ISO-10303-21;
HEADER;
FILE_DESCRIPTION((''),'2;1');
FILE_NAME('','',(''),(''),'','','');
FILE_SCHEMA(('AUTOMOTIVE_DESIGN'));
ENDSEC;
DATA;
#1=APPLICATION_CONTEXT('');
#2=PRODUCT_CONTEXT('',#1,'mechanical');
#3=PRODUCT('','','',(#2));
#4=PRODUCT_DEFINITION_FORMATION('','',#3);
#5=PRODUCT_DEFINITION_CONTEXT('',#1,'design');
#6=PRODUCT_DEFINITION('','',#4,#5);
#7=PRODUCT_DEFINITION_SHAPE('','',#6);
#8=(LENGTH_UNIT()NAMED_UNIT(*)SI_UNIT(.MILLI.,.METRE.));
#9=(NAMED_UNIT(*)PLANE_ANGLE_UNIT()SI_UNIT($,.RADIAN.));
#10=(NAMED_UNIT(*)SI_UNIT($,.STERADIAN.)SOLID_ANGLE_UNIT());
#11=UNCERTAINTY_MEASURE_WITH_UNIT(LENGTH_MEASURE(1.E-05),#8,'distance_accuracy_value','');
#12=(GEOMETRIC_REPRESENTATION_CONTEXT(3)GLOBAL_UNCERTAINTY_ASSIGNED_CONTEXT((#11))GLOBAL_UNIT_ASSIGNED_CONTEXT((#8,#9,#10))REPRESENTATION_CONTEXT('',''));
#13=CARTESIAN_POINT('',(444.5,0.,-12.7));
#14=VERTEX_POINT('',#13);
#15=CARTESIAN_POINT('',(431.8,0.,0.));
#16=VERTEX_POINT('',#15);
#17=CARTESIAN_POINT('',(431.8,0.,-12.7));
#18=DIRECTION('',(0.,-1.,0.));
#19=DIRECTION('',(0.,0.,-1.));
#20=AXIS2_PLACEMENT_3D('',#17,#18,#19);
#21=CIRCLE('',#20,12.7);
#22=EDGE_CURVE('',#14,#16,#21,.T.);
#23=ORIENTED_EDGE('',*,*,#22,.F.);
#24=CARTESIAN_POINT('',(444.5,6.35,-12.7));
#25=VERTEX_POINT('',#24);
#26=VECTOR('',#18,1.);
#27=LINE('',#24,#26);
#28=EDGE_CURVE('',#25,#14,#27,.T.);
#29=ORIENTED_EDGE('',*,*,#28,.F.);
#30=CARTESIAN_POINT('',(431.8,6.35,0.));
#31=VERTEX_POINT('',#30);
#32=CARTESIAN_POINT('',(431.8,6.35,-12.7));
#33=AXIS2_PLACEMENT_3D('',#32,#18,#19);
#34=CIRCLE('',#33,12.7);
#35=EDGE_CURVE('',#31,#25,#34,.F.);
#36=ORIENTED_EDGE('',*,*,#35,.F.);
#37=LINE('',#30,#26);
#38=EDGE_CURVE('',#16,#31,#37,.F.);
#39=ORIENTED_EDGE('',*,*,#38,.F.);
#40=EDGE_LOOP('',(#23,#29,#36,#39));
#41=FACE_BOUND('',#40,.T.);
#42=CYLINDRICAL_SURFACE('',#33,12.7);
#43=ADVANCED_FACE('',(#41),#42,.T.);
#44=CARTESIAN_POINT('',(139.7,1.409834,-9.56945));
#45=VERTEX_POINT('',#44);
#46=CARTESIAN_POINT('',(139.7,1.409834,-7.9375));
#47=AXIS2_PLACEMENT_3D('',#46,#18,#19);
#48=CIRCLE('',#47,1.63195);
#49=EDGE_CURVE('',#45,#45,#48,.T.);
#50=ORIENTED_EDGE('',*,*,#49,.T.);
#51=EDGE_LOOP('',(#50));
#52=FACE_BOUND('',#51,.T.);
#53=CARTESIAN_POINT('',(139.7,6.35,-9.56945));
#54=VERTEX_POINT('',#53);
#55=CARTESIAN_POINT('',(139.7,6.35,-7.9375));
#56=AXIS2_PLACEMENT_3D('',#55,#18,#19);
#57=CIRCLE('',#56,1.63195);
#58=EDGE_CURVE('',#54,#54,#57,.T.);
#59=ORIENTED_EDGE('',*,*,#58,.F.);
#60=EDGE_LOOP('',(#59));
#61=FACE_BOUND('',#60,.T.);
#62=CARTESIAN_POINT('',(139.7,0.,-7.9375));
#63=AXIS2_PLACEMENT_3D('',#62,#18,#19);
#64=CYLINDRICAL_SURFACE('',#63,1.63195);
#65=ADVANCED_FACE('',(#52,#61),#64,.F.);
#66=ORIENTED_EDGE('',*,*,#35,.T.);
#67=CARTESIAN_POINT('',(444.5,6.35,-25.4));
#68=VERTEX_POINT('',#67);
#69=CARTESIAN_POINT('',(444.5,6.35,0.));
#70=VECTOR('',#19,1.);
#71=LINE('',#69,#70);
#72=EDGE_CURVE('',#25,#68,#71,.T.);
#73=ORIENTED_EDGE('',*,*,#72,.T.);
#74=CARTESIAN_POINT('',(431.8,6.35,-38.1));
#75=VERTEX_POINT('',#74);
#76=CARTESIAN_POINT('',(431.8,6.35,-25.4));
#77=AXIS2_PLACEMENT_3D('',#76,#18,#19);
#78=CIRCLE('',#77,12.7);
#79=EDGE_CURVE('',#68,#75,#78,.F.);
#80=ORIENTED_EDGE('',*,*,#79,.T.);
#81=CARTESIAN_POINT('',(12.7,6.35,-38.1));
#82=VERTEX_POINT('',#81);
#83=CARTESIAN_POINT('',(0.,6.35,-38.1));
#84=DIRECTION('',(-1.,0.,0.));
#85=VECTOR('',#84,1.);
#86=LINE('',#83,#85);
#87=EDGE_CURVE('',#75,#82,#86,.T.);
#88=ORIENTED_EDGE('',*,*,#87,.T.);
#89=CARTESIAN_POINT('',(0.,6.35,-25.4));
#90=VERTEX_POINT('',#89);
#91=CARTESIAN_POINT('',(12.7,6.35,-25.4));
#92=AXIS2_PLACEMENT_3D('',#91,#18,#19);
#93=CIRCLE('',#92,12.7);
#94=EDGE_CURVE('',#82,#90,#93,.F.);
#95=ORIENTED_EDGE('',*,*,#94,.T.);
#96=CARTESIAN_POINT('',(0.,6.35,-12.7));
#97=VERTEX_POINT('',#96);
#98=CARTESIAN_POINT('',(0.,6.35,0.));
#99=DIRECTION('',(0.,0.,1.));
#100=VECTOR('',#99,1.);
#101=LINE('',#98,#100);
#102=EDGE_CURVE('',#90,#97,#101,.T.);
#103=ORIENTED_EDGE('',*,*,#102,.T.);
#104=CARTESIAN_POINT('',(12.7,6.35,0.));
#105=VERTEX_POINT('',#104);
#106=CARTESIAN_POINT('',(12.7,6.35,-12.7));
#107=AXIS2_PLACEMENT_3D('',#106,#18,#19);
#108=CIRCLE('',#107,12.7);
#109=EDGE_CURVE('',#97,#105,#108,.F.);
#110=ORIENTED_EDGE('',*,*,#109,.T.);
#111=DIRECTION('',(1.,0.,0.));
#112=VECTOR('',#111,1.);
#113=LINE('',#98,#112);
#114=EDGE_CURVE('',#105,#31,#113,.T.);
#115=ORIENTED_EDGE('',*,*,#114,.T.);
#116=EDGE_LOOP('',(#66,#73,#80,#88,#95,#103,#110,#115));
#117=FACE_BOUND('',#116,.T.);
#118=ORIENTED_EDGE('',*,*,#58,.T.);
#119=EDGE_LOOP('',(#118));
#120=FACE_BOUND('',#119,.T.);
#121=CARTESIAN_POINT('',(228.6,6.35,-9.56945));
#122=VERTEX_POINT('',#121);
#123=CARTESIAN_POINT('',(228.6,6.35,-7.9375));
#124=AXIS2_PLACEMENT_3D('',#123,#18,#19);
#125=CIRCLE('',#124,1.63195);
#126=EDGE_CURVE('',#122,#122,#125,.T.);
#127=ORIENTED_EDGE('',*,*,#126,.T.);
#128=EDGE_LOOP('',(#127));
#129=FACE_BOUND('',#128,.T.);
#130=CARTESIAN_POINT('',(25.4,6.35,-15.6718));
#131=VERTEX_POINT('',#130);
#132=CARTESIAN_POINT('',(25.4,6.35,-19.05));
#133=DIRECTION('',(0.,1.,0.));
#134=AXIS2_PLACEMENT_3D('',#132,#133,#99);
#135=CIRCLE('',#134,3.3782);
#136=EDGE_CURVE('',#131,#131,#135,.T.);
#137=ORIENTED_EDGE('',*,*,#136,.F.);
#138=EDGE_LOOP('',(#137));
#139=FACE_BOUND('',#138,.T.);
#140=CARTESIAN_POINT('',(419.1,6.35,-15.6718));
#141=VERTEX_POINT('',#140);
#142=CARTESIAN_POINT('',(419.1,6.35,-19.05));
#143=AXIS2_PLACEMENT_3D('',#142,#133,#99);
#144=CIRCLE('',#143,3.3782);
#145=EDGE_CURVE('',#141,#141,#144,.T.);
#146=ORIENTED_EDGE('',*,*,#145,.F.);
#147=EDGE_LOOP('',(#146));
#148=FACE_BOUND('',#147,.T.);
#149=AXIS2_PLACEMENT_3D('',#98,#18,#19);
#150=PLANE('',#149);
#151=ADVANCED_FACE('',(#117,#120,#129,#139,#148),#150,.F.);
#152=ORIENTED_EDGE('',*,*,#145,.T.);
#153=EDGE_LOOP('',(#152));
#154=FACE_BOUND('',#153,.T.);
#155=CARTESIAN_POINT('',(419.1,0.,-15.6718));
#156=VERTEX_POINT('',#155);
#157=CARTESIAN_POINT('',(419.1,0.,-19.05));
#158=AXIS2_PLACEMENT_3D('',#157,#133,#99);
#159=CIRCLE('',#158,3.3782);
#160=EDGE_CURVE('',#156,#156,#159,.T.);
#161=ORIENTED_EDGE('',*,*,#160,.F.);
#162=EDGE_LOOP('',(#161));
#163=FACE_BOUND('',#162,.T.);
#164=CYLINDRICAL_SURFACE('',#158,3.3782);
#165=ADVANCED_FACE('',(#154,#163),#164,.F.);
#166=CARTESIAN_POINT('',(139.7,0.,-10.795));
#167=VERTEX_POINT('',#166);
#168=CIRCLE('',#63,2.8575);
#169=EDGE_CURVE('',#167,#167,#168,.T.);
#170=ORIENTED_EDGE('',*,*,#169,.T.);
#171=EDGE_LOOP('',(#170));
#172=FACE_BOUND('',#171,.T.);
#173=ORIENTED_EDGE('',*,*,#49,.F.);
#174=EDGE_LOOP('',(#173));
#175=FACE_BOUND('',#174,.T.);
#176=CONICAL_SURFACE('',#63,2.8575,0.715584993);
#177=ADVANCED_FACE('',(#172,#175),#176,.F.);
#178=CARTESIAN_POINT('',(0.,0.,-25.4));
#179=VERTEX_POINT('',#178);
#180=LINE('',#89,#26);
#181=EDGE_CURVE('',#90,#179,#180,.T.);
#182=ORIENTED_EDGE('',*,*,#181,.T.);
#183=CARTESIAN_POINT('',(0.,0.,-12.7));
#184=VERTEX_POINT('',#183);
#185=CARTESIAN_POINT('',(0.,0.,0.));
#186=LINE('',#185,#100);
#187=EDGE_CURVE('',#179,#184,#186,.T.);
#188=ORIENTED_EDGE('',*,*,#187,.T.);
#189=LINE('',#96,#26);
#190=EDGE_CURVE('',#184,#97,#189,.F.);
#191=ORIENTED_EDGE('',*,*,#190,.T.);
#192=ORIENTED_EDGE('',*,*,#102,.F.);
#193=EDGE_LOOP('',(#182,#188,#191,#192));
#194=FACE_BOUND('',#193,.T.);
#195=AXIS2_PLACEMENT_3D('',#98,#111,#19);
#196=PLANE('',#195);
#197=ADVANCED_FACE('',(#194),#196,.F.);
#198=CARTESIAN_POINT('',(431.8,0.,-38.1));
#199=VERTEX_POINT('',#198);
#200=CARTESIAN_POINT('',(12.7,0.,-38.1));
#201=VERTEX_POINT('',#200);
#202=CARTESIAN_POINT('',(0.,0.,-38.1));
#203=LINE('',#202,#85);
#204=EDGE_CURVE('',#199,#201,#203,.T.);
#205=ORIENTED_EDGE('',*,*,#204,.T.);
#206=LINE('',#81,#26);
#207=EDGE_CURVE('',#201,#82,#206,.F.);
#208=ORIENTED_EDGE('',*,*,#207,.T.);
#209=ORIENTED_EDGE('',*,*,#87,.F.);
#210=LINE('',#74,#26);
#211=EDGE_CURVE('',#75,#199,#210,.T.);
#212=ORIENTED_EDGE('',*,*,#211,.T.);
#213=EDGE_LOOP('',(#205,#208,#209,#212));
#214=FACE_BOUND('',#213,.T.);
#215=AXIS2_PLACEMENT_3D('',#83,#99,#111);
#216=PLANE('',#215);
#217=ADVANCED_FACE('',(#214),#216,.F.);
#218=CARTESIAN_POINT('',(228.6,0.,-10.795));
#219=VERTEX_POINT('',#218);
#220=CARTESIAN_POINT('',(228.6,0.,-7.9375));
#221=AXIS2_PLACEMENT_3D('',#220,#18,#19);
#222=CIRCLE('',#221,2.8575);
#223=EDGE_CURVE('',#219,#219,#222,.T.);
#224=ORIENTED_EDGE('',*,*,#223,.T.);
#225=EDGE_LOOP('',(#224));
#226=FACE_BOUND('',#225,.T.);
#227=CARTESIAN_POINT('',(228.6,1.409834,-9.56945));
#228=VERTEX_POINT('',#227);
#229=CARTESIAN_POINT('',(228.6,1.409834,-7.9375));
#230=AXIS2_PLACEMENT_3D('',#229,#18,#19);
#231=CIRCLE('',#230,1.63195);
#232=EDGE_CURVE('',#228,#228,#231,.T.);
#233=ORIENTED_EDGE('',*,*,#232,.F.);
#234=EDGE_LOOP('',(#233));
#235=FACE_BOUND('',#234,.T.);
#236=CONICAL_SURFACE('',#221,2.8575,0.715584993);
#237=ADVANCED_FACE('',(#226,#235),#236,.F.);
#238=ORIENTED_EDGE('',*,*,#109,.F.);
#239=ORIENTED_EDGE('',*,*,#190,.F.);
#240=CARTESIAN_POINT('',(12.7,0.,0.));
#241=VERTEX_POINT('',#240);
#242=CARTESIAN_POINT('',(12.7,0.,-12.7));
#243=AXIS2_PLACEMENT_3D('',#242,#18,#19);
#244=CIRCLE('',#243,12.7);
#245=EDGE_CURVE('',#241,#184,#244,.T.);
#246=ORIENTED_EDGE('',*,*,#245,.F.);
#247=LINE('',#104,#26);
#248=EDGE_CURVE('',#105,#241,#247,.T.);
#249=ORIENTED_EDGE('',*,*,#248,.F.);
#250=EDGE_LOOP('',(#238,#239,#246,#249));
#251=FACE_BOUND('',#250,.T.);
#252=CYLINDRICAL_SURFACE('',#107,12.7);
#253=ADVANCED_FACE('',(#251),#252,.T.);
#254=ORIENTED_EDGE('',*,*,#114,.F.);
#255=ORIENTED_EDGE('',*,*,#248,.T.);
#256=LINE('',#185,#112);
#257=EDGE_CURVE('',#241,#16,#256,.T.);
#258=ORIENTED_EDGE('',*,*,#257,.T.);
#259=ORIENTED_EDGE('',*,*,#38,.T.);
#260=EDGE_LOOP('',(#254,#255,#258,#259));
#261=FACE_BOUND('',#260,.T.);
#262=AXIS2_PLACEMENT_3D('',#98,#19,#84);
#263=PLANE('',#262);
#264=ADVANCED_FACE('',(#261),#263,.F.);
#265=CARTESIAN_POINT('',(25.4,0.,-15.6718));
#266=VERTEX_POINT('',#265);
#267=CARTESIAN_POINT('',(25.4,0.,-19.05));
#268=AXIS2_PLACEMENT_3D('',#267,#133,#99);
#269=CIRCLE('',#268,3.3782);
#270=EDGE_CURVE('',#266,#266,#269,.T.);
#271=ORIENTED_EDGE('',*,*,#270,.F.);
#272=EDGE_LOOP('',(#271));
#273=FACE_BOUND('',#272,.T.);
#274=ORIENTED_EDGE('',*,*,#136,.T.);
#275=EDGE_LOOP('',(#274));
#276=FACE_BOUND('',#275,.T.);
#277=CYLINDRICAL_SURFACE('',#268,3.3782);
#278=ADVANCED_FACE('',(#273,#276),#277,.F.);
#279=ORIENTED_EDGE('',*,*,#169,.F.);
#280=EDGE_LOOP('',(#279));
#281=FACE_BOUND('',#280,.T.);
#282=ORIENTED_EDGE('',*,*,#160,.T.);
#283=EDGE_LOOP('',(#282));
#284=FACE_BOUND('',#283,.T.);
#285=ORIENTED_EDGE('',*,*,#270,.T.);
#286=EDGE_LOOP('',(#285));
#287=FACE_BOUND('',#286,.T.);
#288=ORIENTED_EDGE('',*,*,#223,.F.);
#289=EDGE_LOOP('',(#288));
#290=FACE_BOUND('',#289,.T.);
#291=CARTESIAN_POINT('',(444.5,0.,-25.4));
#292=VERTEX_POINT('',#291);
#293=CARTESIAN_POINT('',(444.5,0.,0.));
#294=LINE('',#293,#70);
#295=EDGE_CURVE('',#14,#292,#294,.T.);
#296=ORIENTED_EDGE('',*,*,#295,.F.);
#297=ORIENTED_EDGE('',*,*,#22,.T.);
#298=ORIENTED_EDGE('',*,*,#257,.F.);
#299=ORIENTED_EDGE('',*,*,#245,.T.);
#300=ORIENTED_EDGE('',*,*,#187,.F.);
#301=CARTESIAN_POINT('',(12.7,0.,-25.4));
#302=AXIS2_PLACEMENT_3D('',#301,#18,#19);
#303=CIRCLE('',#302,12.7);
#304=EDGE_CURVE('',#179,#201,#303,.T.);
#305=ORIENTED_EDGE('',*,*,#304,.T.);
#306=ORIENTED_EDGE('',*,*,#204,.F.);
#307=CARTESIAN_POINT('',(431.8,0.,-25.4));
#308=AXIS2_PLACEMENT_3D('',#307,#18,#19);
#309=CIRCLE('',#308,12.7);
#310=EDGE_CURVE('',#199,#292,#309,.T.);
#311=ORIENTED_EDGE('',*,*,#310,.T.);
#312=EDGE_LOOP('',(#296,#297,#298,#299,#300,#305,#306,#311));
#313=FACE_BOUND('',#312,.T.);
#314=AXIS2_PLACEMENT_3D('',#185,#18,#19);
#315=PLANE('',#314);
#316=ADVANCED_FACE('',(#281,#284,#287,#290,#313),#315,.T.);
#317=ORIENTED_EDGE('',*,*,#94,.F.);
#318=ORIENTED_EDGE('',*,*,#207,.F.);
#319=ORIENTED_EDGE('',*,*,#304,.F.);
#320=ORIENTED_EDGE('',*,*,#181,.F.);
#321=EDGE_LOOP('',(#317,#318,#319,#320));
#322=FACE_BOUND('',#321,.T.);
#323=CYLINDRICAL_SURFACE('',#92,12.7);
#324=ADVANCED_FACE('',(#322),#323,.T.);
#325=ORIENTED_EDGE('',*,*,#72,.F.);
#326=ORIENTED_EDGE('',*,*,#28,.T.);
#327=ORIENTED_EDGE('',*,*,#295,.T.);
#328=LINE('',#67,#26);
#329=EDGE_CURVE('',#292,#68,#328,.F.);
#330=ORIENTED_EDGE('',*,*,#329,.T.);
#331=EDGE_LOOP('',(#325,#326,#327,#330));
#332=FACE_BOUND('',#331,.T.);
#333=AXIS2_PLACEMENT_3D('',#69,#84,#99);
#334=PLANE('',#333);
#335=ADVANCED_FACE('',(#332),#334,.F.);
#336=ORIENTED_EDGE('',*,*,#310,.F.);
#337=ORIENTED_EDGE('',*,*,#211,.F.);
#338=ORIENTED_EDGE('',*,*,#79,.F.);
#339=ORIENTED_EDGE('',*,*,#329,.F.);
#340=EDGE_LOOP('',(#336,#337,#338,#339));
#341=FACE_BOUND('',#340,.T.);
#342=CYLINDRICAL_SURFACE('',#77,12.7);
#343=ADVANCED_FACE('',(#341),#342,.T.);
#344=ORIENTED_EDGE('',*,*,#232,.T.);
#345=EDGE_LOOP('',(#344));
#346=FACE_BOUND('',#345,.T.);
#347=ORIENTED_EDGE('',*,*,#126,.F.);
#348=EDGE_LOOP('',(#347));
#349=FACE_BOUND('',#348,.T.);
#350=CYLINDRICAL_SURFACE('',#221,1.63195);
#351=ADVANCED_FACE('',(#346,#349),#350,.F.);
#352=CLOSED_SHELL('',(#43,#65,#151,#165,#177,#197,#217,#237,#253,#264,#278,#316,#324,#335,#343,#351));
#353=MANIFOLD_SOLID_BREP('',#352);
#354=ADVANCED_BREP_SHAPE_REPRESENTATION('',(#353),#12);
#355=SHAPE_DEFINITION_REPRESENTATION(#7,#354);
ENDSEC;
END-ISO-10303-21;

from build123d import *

# Parameters (mm, degrees)
SKETCH1_W                                      = 444.5
SKETCH1_H                                      = 38.1
BOSS_EXTRUDE1_DEPTH                            = 6.35
FILLET1_R                                      = 12.7
FILLET2_R                                      = 12.7
FILLET3_R                                      = 12.7
FILLET4_R                                      = 12.7
SKETCH2_R                                      = 3.3782
CUT_EXTRUDE1_DEPTH                             = 447.175058133
SKETCH4_R                                      = 3.3782
CUT_EXTRUDE2_DEPTH                             = 447.175058133
CSK_FOR_4_FLAT_HEAD_MACHINE_SCREW1_D           = 3.2639
CSK_FOR_4_FLAT_HEAD_MACHINE_SCREW1_CSINK_D     = 5.715
CSK_FOR_4_FLAT_HEAD_MACHINE_SCREW1_CSINK_ANGLE = 82


with BuildPart() as part:
    # Sketch1 → Boss-Extrude1 (new body)
    with BuildSketch(Plane(origin=(0, 0, 0), x_dir=(1, 0, 0), z_dir=(0, 1, 0))):
        with Locations((222.25, 19.05)):
            Rectangle(SKETCH1_W, SKETCH1_H)
    extrude(amount=BOSS_EXTRUDE1_DEPTH)

    # Fillet1
    fillet1_edges = [part.edges().sort_by_distance(p)[0] for p in [
        (0, 3.175, 0),
    ]]
    fillet(fillet1_edges, radius=FILLET1_R)

    # Fillet2
    fillet2_edges = [part.edges().sort_by_distance(p)[0] for p in [
        (0, 3.175, -38.1),
    ]]
    fillet(fillet2_edges, radius=FILLET2_R)

    # Fillet3
    fillet3_edges = [part.edges().sort_by_distance(p)[0] for p in [
        (444.5, 3.175, -38.1),
    ]]
    fillet(fillet3_edges, radius=FILLET3_R)

    # Fillet4
    fillet4_edges = [part.edges().sort_by_distance(p)[0] for p in [
        (444.5, 3.175, 0),
    ]]
    fillet(fillet4_edges, radius=FILLET4_R)

    # Sketch2 → Cut-Extrude1 (cut, through all)
    with BuildSketch(Plane(origin=(0, 6.35, 0), x_dir=(1, 0, 0), z_dir=(0, 1, 0))):
        with Locations(Location((25.4, 19.05, 0), (0, 0, 270))):
            Circle(SKETCH2_R)
    extrude(amount=-CUT_EXTRUDE1_DEPTH, mode=Mode.SUBTRACT)

    # Sketch4 → Cut-Extrude2 (cut, through all)
    with BuildSketch(Plane(origin=(0, 6.35, 0), x_dir=(1, 0, 0), z_dir=(0, 1, 0))):
        with Locations(Location((419.1, 19.05, 0), (0, 0, 270))):
            Circle(SKETCH4_R)
    extrude(amount=-CUT_EXTRUDE2_DEPTH, mode=Mode.SUBTRACT)

    # CSK for #4 Flat Head Machine Screw1 (through all)
    with Locations(Plane(origin=(0, 0, 0), x_dir=(-1, 0, 0), z_dir=(0, -1, 0))):
        with Locations((-228.6, 7.9375), (-139.7, 7.9375)):
            CounterSinkHole(CSK_FOR_4_FLAT_HEAD_MACHINE_SCREW1_D / 2, CSK_FOR_4_FLAT_HEAD_MACHINE_SCREW1_CSINK_D / 2, counter_sink_angle=CSK_FOR_4_FLAT_HEAD_MACHINE_SCREW1_CSINK_ANGLE)


solid = part.part
